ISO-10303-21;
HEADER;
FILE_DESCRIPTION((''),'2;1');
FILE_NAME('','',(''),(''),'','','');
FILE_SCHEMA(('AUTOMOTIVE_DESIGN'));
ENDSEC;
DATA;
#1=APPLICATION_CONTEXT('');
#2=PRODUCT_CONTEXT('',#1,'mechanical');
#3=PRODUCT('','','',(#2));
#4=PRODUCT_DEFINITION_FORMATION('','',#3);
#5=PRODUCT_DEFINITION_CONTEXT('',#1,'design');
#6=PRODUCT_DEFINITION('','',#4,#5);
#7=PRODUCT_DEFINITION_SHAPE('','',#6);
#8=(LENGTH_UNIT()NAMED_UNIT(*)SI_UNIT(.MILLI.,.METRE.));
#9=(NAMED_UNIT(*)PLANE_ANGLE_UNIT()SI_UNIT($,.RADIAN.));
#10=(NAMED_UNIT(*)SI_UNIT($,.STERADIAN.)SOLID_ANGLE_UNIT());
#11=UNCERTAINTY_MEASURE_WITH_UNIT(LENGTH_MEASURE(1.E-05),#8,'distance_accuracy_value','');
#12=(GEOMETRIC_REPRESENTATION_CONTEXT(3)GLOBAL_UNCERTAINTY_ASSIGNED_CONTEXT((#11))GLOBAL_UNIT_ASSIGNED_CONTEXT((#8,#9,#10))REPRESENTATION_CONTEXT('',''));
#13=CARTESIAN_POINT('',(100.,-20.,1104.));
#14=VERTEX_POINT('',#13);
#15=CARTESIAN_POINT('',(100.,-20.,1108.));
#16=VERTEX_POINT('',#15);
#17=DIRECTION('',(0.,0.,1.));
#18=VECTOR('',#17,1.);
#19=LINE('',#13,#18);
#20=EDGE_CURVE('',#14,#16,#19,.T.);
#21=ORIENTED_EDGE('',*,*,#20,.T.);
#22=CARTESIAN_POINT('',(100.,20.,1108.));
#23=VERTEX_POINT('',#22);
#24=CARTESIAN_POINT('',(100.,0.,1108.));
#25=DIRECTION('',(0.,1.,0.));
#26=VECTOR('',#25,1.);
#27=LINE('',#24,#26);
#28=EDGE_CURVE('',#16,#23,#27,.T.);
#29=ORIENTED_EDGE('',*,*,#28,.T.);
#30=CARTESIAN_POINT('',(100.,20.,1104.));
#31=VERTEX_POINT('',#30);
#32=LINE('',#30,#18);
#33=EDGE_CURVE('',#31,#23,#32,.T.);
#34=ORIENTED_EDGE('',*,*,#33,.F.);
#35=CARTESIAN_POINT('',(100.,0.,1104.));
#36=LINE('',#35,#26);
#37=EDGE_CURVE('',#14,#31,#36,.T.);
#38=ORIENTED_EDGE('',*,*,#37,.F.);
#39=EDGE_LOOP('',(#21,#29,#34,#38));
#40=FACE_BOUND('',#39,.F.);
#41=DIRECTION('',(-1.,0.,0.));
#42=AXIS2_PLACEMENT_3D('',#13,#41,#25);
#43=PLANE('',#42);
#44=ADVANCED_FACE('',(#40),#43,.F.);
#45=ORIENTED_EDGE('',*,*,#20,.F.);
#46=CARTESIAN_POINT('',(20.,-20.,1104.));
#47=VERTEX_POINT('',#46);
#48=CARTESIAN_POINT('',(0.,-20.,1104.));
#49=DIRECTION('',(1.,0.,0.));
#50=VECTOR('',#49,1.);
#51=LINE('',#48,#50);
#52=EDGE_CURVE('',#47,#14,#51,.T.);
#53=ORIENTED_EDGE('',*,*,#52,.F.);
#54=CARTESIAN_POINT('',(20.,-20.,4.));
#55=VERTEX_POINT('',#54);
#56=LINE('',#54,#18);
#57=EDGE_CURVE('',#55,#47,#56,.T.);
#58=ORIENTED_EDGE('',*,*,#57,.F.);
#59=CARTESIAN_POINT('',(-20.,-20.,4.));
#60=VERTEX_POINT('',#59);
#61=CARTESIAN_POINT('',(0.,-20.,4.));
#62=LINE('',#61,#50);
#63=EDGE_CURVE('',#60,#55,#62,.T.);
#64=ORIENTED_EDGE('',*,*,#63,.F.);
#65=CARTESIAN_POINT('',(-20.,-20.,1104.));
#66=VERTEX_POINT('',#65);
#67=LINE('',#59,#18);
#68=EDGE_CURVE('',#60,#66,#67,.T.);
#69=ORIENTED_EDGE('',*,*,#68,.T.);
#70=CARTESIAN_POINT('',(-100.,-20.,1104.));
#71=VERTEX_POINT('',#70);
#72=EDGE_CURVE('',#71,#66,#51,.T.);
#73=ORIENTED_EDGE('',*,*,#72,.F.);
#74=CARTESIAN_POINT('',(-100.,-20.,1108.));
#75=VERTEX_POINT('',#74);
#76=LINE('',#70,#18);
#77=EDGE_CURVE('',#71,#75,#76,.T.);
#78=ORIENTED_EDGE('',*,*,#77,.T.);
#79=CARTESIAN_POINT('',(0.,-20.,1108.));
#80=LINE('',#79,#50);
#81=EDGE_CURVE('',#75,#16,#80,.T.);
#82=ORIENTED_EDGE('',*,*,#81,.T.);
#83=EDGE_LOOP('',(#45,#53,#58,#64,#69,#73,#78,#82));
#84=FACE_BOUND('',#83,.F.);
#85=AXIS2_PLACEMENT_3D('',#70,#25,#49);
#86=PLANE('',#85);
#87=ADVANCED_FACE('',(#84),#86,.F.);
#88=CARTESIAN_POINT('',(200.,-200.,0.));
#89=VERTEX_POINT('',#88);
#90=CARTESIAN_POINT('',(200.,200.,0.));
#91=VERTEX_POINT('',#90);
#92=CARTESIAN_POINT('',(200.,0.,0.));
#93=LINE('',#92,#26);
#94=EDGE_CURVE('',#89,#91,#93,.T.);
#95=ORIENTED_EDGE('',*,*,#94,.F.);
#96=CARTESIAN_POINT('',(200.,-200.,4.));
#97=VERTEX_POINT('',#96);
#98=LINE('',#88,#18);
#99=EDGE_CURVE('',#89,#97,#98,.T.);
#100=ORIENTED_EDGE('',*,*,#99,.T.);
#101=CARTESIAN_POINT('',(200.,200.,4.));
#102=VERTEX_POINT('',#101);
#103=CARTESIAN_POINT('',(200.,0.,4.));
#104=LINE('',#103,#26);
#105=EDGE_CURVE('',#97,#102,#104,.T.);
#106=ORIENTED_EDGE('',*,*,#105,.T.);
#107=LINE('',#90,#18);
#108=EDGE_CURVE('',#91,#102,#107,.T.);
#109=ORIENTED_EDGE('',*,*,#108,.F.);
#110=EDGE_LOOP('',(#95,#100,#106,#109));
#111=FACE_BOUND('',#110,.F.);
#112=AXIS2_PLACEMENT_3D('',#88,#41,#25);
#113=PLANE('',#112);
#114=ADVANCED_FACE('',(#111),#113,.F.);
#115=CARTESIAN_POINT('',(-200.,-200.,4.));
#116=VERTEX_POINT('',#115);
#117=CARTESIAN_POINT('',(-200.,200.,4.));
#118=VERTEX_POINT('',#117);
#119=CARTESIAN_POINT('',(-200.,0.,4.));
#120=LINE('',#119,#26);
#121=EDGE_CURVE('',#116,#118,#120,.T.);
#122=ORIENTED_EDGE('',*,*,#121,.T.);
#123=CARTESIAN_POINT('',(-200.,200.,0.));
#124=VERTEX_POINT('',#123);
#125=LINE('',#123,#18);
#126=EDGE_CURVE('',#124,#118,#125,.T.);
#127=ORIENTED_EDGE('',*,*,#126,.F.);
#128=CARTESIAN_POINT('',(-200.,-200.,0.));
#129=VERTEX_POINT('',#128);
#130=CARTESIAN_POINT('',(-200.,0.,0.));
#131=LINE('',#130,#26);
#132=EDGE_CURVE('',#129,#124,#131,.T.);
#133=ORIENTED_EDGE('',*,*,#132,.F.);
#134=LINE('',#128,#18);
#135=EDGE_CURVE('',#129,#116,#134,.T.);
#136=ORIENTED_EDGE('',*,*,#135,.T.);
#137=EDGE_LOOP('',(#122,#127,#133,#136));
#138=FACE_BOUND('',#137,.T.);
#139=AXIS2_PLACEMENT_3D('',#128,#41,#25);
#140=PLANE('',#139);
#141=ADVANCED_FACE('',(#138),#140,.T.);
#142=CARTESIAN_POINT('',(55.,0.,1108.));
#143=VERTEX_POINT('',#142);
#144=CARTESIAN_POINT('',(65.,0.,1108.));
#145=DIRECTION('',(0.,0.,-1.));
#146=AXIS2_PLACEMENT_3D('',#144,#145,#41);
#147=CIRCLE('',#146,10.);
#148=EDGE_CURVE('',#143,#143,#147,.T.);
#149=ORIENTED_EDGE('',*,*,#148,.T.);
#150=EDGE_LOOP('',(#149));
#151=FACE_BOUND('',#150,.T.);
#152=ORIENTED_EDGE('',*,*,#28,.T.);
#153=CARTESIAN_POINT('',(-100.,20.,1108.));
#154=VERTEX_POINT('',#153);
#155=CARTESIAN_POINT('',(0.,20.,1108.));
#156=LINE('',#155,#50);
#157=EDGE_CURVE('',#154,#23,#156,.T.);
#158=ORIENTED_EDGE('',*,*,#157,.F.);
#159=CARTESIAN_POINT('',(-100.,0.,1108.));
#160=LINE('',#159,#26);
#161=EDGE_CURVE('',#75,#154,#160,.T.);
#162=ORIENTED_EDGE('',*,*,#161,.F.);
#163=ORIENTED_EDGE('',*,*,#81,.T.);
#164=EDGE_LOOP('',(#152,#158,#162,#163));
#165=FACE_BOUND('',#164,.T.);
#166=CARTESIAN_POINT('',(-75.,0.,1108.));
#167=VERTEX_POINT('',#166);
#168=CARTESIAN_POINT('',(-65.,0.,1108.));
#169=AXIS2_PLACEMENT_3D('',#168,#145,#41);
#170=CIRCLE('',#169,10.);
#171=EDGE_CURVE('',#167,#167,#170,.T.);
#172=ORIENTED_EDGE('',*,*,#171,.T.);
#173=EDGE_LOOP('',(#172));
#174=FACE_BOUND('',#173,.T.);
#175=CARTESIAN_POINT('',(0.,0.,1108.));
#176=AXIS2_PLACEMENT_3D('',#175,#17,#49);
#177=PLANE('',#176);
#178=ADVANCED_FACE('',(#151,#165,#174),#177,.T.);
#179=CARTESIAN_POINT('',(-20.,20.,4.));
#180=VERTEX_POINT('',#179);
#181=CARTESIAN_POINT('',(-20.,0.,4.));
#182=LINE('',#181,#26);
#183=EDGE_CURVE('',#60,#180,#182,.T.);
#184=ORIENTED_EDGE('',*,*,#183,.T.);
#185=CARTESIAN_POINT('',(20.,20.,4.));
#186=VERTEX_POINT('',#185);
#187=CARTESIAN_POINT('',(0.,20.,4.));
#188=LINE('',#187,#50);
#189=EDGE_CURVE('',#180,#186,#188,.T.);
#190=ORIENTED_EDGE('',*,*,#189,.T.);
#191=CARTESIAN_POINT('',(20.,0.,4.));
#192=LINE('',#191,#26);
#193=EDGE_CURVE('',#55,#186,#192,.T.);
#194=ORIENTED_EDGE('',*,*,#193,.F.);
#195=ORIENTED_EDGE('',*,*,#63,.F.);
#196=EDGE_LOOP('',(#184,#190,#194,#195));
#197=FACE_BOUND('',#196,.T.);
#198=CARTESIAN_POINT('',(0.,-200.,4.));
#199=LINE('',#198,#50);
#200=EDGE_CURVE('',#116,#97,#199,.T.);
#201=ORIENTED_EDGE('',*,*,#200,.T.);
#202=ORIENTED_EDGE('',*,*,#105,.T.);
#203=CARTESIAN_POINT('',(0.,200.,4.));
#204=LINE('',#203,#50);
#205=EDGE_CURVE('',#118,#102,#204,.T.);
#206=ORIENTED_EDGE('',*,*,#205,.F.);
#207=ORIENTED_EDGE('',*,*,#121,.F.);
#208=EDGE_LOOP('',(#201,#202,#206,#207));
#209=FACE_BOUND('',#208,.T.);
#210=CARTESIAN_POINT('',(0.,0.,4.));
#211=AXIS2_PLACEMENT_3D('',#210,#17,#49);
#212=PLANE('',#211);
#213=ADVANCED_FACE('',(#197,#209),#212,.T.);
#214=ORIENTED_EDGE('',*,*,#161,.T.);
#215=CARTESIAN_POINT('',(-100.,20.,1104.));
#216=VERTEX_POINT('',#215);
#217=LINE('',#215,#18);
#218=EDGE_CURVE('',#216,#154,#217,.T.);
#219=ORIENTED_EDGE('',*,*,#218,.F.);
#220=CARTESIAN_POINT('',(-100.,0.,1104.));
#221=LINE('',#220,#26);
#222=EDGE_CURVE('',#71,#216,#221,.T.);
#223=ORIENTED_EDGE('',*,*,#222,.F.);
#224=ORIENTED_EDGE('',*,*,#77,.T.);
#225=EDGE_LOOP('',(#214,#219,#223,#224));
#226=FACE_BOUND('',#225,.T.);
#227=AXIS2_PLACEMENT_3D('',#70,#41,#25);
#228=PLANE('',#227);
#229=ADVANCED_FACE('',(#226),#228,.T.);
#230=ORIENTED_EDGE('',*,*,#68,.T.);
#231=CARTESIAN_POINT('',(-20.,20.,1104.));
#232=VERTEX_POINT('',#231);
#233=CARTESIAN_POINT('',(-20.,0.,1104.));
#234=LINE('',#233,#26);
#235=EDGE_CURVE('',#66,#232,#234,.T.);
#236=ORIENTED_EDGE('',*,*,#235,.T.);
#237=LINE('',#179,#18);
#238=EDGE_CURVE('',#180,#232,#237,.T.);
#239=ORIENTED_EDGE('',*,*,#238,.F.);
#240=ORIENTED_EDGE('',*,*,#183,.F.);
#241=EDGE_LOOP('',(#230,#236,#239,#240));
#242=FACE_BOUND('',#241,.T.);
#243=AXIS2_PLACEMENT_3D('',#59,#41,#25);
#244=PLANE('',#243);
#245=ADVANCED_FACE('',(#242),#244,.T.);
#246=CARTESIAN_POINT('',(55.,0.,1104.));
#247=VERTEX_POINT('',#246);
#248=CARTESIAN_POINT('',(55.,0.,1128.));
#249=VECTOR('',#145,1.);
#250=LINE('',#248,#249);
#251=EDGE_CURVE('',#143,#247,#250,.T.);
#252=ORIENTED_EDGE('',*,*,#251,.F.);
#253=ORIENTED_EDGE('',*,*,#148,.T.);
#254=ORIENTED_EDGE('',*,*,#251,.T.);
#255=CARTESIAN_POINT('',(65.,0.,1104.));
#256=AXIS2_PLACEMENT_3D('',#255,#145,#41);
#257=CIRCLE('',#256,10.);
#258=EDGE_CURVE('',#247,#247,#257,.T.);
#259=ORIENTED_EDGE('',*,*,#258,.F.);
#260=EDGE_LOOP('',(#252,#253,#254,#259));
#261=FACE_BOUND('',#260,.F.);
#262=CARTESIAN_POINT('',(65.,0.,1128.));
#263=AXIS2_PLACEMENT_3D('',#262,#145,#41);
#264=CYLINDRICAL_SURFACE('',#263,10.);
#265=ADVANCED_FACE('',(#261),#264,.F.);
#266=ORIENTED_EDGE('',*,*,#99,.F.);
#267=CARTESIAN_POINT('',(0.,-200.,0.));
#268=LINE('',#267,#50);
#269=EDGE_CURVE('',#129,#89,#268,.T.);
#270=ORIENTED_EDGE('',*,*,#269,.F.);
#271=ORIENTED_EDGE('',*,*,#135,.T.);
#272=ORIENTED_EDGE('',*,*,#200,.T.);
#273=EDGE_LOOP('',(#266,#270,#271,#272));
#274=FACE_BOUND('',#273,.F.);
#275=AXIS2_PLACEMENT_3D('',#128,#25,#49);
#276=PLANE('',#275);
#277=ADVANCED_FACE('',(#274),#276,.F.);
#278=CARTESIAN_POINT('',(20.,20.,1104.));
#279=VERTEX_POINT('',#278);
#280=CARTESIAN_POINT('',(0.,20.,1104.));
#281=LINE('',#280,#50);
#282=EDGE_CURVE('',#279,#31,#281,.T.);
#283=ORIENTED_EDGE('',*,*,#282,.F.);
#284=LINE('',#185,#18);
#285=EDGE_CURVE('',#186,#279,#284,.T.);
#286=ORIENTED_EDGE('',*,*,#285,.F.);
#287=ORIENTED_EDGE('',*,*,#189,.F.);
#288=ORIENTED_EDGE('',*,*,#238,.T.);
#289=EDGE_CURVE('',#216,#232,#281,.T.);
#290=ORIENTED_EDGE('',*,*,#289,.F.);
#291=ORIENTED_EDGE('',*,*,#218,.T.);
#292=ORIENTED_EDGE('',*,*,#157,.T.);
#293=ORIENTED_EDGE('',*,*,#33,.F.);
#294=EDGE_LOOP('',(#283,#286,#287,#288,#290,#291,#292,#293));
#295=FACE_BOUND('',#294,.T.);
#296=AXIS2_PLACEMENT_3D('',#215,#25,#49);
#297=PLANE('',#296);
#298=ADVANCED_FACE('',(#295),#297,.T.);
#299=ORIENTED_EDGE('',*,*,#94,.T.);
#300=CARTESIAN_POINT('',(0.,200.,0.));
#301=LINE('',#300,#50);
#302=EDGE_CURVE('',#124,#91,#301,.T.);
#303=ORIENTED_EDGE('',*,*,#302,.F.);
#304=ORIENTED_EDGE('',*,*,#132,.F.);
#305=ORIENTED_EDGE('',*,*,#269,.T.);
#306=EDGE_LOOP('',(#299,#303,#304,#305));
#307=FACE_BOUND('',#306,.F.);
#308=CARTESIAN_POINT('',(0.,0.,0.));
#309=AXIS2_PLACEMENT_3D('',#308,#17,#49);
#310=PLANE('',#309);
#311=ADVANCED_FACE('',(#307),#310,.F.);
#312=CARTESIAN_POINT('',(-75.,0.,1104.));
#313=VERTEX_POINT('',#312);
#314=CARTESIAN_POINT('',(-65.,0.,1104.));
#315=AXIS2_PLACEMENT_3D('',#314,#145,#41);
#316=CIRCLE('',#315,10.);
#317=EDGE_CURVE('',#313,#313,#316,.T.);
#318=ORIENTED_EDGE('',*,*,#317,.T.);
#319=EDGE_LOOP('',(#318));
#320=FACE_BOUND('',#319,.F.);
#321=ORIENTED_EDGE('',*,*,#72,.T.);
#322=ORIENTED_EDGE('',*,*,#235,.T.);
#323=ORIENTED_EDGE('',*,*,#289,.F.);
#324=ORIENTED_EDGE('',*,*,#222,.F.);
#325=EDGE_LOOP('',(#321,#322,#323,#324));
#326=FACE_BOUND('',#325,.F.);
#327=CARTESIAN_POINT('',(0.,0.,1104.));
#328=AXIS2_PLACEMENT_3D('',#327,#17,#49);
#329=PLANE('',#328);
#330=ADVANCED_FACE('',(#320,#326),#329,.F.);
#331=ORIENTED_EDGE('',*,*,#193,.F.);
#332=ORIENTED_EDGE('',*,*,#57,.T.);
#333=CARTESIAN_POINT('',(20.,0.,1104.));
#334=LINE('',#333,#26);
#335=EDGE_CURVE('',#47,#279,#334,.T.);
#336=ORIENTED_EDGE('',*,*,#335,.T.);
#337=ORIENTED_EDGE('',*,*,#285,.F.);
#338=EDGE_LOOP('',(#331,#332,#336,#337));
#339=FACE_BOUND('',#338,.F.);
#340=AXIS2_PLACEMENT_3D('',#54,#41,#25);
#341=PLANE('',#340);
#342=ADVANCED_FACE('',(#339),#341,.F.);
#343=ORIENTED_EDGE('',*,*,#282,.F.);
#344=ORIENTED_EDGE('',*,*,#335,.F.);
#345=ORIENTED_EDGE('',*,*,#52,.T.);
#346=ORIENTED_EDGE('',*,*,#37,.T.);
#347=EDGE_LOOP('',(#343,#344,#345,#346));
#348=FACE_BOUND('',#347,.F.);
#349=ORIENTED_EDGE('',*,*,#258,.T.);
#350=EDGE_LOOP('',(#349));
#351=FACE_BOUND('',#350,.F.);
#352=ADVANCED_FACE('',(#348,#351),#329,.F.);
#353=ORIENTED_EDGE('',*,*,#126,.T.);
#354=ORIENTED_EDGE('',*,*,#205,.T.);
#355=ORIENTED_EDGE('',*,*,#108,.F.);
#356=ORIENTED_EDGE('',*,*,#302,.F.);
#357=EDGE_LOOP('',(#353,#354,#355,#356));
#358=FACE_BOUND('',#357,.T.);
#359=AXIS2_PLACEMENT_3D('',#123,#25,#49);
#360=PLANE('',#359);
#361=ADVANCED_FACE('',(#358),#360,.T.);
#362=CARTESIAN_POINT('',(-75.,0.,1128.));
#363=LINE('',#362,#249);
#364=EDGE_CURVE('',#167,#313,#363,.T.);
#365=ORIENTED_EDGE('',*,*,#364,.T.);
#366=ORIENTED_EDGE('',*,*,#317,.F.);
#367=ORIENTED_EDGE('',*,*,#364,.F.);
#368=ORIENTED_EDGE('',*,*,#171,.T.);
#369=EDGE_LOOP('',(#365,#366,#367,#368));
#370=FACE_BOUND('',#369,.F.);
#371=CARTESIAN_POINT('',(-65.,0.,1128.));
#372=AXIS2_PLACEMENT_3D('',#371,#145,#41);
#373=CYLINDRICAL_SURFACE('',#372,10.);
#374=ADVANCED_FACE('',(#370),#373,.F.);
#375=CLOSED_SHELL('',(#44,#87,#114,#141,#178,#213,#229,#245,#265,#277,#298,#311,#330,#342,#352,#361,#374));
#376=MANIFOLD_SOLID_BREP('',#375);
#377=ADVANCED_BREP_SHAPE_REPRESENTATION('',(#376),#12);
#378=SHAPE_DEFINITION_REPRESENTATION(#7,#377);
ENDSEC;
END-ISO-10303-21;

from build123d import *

# Parameters (mm, degrees)
F0_W     = 400
F0_H     = 400
F1_DEPTH = 4
F2_W     = 40
F2_H     = 40
F3_DEPTH = 1100
F4_W     = 200
F4_H     = 40
F5_DEPTH = 4
F8_D     = 20
F8_DEPTH = 20
F9_D     = 20
F9_DEPTH = 20


with BuildPart() as f1:
    # F0 (on Top) → F1 (new body)
    with BuildSketch(Plane.XY):
        Rectangle(F0_W, F0_H)
    extrude(amount=F1_DEPTH)

    # F2 (on face) → F3 (join)
    with BuildSketch(Plane.XY.offset(4)):
        Rectangle(F2_W, F2_H)
    extrude(amount=F3_DEPTH)

    # F4 (on face) → F5 (join)
    with BuildSketch(Plane.XY.offset(1104)):
        Rectangle(F4_W, F4_H)
    extrude(amount=F5_DEPTH)

    # F8
    with Locations(Plane.XY.offset(1108)):
        with Locations((-65, 0)):
            Hole(F8_D / 2, depth=F8_DEPTH)

    # F9
    with Locations(Plane.XY.offset(1108)):
        with Locations((65, 0)):
            Hole(F9_D / 2, depth=F9_DEPTH)


solid = f1.part
